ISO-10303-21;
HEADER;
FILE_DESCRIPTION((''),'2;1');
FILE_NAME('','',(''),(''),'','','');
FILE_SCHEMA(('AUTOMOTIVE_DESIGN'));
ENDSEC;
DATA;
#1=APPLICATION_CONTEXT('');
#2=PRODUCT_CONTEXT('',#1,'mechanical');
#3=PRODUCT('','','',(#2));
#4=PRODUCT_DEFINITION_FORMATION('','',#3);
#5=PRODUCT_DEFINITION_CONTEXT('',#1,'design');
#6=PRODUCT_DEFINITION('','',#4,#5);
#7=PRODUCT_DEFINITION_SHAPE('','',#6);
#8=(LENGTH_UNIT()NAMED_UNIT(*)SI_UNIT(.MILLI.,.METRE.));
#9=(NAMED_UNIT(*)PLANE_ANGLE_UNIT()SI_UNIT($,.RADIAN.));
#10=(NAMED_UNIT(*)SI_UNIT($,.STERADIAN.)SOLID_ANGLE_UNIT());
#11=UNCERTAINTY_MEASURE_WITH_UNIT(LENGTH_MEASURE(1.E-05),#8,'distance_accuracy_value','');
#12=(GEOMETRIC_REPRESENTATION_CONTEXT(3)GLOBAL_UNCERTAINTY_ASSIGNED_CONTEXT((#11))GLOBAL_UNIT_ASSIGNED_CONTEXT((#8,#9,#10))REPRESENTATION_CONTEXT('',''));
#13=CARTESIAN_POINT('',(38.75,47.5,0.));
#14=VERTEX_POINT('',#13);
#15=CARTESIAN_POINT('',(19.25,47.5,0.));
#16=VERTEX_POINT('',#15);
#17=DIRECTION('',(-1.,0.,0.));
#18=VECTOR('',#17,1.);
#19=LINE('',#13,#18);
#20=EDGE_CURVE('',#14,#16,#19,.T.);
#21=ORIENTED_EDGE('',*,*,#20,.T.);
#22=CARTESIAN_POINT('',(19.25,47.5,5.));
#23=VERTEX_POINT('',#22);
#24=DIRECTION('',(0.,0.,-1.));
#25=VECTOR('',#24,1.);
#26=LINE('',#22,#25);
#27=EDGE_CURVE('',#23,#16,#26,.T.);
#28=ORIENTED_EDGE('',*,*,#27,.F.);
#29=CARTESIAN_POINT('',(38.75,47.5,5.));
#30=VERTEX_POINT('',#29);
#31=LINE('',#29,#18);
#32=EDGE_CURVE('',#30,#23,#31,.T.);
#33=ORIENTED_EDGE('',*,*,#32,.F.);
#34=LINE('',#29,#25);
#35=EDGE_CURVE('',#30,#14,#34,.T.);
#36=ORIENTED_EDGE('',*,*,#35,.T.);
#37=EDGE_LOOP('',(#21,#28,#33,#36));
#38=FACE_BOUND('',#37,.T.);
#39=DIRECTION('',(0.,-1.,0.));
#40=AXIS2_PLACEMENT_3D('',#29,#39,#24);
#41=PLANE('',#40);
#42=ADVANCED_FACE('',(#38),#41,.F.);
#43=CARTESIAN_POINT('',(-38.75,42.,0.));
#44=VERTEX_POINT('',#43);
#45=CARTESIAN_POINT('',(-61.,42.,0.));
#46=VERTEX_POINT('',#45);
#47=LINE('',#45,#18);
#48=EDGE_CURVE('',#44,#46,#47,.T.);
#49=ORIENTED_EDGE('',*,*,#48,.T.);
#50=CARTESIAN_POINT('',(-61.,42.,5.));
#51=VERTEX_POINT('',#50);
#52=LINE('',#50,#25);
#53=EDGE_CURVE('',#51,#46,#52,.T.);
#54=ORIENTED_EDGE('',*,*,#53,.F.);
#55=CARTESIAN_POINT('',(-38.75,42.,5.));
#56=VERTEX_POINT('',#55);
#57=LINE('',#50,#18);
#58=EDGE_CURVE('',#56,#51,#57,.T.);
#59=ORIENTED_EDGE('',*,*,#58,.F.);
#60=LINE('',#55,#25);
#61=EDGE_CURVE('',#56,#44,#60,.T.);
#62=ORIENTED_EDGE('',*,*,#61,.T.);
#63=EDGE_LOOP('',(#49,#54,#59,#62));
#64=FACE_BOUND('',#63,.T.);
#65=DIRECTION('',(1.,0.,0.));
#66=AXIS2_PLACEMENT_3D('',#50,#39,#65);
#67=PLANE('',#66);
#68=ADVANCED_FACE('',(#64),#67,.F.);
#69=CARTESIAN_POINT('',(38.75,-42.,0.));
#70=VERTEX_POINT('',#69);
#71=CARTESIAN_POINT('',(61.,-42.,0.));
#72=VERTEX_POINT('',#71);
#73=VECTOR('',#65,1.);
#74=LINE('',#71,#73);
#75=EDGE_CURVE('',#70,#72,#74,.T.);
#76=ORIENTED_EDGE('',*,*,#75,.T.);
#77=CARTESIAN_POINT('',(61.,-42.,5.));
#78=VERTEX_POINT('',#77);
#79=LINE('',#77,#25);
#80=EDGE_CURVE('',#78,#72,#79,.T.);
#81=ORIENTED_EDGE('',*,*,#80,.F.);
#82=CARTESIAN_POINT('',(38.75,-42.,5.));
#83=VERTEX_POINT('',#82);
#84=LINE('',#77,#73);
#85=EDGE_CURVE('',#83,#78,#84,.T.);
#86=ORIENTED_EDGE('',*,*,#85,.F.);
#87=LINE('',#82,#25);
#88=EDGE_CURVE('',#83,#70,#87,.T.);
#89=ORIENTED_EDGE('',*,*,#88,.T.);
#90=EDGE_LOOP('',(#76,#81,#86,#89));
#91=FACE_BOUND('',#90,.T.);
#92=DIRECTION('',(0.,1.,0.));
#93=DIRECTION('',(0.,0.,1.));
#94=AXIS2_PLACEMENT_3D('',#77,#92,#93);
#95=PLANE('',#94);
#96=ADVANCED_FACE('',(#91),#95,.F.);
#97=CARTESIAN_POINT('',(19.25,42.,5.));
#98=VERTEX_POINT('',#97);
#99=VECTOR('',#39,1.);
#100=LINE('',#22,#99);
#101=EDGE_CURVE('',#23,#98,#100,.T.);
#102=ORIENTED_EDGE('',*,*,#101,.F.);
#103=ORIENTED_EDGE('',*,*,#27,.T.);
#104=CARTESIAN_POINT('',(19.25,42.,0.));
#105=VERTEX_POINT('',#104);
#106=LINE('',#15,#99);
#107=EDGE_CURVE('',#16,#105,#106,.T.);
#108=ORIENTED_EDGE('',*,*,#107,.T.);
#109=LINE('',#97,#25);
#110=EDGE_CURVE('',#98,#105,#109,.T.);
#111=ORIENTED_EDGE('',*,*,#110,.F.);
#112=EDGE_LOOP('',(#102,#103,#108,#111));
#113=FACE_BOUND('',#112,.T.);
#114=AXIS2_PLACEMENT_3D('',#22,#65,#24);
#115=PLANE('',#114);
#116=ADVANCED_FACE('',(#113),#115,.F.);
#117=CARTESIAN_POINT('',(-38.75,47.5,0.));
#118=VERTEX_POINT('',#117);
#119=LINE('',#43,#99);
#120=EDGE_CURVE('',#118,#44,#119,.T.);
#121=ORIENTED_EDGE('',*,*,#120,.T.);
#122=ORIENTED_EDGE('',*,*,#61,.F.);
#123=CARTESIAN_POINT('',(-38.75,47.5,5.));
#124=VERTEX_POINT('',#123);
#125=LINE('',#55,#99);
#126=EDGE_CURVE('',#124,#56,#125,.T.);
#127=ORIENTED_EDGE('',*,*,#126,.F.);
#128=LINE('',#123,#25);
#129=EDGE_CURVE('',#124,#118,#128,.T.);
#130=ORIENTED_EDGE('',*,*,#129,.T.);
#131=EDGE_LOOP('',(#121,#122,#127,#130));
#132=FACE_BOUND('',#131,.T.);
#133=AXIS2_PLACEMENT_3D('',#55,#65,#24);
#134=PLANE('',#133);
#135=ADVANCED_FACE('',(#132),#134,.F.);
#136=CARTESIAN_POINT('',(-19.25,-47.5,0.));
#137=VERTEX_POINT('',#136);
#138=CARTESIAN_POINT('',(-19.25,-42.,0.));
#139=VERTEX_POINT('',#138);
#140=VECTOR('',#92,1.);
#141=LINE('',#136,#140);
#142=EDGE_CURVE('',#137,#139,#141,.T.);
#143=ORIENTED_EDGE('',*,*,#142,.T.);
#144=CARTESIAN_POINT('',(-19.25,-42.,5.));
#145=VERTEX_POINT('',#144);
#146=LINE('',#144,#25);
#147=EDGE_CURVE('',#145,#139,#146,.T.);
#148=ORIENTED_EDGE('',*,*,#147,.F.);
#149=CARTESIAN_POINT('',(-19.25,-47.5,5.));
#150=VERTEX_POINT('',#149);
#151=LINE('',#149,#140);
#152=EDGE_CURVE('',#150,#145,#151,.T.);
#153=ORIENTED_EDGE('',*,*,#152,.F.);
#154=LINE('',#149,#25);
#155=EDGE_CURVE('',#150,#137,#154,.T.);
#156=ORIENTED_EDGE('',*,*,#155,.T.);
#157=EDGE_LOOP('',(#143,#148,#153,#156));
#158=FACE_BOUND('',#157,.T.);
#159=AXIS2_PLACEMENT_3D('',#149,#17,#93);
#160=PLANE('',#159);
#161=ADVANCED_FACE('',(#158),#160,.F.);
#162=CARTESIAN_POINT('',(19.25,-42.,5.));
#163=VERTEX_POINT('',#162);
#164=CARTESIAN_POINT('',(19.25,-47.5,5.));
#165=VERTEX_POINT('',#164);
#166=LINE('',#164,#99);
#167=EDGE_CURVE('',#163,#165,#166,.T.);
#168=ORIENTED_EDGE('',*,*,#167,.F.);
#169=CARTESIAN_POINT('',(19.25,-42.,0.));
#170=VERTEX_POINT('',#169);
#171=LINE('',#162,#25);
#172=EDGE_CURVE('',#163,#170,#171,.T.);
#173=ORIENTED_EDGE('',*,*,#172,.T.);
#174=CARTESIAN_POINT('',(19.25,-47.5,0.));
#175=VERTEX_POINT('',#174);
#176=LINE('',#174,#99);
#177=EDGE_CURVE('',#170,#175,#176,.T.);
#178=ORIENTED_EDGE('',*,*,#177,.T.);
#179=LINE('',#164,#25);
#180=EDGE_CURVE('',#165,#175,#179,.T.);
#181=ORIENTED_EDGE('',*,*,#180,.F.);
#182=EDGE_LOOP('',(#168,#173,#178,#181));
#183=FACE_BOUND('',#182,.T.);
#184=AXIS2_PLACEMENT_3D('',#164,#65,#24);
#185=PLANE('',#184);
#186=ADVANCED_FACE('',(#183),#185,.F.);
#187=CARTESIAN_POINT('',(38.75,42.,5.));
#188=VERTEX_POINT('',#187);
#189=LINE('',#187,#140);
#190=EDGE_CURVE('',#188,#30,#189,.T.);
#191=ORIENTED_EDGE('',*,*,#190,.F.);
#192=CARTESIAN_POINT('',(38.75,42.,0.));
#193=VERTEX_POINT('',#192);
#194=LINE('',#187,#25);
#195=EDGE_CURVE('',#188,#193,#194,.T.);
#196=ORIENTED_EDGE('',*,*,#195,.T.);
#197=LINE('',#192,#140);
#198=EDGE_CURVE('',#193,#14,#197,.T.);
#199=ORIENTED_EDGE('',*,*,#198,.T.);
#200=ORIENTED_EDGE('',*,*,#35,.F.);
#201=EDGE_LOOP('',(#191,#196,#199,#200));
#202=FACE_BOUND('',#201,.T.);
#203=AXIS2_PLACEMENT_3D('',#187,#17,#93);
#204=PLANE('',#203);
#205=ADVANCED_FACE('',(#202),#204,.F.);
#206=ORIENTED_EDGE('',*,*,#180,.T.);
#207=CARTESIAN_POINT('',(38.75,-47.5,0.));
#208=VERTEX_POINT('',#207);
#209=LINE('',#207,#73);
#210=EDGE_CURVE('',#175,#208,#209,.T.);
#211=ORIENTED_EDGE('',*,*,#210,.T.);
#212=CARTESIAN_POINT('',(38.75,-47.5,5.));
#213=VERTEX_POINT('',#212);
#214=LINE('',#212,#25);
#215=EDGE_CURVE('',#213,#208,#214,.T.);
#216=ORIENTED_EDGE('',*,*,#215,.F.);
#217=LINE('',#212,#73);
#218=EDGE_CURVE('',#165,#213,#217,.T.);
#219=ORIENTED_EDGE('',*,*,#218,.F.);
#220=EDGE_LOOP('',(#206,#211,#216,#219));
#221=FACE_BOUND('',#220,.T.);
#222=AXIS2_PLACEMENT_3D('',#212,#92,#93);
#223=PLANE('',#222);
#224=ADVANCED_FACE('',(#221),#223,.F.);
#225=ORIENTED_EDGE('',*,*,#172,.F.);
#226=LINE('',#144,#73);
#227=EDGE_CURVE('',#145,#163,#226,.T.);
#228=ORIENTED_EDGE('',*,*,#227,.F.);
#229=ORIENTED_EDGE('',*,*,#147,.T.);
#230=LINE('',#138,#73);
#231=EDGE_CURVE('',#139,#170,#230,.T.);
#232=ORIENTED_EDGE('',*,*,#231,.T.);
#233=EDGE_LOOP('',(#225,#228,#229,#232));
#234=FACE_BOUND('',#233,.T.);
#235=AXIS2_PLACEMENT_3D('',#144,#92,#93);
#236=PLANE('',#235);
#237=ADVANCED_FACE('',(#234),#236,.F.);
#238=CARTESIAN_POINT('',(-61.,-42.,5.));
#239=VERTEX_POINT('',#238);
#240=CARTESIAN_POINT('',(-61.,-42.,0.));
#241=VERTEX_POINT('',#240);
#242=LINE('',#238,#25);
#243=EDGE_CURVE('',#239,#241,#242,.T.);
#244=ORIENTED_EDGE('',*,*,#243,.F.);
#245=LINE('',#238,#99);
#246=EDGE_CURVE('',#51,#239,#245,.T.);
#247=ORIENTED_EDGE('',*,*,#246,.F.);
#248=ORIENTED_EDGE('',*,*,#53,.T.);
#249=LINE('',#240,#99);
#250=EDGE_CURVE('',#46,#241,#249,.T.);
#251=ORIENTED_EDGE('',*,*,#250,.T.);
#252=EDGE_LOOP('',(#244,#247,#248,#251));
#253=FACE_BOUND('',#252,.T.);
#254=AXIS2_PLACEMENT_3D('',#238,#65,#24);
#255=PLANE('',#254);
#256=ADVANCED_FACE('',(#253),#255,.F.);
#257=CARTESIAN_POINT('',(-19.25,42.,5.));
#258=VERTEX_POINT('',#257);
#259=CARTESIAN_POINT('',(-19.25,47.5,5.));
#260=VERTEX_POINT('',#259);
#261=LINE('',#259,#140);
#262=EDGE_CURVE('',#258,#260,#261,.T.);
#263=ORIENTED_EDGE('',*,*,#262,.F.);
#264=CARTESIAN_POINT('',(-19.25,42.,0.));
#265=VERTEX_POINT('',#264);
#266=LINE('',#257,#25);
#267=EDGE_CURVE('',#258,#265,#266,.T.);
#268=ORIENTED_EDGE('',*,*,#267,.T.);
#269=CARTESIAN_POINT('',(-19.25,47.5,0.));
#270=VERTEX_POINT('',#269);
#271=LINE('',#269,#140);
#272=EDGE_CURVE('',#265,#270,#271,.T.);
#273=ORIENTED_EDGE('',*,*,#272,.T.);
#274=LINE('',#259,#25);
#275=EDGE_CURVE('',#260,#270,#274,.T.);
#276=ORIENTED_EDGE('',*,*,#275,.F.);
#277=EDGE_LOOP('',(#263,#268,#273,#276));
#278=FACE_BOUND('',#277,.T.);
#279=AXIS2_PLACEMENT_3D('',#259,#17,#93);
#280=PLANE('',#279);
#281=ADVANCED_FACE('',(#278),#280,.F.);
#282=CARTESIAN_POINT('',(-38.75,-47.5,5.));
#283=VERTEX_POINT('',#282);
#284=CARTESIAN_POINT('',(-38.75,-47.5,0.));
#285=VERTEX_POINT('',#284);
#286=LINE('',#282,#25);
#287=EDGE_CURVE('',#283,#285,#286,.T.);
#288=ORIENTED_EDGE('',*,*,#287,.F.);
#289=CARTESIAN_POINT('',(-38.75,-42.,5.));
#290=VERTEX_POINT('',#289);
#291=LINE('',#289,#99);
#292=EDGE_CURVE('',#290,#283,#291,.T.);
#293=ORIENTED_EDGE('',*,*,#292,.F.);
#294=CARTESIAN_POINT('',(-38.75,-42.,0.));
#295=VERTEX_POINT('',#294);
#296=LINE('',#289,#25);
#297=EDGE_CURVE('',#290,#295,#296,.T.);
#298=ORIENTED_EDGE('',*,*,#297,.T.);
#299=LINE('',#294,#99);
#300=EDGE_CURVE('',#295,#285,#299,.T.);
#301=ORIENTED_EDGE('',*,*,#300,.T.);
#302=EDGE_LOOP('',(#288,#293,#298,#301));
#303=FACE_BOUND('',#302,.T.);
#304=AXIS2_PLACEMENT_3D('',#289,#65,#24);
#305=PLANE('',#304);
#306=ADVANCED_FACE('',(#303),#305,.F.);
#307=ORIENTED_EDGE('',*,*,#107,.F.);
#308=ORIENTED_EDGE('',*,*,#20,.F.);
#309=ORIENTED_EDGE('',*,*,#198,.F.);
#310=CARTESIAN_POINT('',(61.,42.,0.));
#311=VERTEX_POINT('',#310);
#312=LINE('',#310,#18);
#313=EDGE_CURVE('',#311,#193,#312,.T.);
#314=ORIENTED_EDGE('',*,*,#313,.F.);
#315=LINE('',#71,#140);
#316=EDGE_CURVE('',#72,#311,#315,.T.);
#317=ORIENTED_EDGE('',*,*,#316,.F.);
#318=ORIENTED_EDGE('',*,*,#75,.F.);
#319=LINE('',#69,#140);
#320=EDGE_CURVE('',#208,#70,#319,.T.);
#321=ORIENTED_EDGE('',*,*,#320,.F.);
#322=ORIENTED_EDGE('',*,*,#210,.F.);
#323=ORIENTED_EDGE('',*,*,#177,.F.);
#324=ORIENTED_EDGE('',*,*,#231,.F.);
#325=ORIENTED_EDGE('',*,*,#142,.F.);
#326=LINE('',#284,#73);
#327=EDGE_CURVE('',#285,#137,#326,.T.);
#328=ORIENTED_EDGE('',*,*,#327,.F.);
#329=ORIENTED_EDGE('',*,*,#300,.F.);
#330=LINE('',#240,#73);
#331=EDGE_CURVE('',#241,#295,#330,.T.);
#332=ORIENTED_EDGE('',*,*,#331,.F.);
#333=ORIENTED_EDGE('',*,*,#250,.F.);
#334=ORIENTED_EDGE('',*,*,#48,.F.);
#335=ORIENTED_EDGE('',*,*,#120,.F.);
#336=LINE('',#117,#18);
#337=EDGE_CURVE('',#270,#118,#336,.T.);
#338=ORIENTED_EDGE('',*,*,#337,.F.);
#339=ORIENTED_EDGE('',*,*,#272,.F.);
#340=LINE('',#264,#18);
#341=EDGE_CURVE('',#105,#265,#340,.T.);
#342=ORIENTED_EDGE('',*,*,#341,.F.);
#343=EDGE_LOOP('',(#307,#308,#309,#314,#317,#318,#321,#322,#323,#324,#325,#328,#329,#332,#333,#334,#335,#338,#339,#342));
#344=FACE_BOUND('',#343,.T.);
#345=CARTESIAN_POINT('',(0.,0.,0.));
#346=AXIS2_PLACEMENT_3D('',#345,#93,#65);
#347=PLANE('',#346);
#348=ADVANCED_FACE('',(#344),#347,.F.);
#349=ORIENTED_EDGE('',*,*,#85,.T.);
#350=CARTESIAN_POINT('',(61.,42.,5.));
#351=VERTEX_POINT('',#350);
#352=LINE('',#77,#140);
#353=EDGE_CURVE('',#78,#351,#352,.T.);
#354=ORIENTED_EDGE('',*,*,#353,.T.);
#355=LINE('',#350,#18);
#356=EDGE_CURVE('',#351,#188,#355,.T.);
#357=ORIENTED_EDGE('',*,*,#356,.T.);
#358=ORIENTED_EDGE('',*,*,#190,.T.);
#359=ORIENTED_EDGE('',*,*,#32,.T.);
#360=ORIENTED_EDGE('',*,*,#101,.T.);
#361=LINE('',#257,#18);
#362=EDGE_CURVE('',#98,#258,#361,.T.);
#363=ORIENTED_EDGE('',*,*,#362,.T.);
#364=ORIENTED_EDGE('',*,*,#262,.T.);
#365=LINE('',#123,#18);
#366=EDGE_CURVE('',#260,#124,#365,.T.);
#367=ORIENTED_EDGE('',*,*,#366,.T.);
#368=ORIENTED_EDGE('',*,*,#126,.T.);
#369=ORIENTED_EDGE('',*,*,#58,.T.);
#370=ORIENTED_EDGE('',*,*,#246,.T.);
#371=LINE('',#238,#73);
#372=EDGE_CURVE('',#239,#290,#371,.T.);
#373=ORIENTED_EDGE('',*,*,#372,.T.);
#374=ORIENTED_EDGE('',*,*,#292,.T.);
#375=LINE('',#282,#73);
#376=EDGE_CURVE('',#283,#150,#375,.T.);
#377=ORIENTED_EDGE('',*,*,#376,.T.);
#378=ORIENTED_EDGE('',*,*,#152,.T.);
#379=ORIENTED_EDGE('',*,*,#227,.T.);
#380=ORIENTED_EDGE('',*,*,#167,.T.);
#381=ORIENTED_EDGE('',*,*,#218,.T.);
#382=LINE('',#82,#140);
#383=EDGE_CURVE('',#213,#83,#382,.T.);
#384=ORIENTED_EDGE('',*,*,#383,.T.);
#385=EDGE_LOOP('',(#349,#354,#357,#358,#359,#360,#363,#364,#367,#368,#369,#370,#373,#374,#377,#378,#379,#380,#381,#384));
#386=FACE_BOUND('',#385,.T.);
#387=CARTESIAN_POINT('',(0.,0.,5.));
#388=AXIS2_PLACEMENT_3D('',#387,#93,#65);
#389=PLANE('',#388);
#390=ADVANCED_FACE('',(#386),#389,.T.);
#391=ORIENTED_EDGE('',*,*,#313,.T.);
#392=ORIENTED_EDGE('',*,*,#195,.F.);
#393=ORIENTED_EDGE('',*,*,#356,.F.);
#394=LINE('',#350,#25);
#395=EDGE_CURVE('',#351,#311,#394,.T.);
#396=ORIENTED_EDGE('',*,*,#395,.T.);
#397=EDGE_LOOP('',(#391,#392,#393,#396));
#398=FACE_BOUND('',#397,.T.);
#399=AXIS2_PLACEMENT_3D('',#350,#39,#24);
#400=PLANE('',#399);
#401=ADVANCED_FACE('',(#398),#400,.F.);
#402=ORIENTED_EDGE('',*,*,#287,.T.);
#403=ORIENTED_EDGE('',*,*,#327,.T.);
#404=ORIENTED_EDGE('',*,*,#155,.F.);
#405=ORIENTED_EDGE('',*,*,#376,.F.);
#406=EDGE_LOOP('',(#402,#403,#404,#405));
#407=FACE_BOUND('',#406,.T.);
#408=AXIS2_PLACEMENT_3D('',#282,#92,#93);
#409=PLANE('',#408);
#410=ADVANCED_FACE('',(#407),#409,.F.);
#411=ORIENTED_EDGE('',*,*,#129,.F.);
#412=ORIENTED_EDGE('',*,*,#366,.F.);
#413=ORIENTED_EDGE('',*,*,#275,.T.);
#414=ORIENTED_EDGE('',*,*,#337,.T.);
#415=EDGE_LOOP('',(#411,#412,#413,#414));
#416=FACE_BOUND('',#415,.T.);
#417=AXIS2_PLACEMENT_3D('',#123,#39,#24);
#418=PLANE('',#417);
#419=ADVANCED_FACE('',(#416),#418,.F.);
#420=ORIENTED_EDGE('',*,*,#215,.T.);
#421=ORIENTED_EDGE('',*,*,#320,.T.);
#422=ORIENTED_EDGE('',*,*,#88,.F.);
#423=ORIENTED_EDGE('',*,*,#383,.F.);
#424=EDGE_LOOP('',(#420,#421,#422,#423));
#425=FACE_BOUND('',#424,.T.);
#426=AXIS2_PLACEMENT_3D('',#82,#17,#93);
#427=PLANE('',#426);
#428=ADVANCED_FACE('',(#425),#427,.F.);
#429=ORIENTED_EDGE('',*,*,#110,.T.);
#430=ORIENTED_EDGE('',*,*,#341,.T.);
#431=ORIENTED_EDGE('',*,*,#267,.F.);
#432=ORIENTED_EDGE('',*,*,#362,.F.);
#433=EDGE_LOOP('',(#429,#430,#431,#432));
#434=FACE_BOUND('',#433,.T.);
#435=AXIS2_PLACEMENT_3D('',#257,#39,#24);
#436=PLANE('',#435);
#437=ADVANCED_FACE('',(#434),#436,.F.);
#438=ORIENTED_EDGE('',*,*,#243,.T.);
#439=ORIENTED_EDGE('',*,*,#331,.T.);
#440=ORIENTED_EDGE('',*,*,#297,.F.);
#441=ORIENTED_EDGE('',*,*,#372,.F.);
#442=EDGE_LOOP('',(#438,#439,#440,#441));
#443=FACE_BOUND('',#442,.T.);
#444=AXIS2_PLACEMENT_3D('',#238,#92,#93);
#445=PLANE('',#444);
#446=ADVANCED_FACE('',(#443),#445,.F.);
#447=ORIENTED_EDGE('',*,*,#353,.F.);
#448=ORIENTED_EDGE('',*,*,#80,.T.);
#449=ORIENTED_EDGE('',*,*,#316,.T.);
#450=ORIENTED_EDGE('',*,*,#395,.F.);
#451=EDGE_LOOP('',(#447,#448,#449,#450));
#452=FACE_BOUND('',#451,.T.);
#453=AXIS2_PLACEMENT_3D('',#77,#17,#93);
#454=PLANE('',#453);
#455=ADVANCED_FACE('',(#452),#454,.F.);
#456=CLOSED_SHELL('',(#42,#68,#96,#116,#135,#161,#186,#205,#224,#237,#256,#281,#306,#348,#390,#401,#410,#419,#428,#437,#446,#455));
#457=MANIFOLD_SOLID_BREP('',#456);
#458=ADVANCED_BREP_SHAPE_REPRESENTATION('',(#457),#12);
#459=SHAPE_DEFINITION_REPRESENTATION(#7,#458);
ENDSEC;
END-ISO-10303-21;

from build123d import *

# Parameters (mm, degrees)
BOSS_EXTRUDE1_DEPTH = 5


with BuildPart() as part:
    # Sketch1 → Boss-Extrude1 (new body)
    with BuildSketch(Plane.XY):
        Polygon((-61, -42), (-61, 42), (-38.75, 42), (-38.75, 47.5), (-19.25, 47.5), (-19.25, 42), (19.25, 42), (19.25, 47.5), (38.75, 47.5), (38.75, 42), (61, 42), (61, -42), (38.75, -42), (38.75, -47.5), (19.25, -47.5), (19.25, -42), (-19.25, -42), (-19.25, -47.5), (-38.75, -47.5), (-38.75, -42), align=None)
    extrude(amount=BOSS_EXTRUDE1_DEPTH)


solid = part.part
